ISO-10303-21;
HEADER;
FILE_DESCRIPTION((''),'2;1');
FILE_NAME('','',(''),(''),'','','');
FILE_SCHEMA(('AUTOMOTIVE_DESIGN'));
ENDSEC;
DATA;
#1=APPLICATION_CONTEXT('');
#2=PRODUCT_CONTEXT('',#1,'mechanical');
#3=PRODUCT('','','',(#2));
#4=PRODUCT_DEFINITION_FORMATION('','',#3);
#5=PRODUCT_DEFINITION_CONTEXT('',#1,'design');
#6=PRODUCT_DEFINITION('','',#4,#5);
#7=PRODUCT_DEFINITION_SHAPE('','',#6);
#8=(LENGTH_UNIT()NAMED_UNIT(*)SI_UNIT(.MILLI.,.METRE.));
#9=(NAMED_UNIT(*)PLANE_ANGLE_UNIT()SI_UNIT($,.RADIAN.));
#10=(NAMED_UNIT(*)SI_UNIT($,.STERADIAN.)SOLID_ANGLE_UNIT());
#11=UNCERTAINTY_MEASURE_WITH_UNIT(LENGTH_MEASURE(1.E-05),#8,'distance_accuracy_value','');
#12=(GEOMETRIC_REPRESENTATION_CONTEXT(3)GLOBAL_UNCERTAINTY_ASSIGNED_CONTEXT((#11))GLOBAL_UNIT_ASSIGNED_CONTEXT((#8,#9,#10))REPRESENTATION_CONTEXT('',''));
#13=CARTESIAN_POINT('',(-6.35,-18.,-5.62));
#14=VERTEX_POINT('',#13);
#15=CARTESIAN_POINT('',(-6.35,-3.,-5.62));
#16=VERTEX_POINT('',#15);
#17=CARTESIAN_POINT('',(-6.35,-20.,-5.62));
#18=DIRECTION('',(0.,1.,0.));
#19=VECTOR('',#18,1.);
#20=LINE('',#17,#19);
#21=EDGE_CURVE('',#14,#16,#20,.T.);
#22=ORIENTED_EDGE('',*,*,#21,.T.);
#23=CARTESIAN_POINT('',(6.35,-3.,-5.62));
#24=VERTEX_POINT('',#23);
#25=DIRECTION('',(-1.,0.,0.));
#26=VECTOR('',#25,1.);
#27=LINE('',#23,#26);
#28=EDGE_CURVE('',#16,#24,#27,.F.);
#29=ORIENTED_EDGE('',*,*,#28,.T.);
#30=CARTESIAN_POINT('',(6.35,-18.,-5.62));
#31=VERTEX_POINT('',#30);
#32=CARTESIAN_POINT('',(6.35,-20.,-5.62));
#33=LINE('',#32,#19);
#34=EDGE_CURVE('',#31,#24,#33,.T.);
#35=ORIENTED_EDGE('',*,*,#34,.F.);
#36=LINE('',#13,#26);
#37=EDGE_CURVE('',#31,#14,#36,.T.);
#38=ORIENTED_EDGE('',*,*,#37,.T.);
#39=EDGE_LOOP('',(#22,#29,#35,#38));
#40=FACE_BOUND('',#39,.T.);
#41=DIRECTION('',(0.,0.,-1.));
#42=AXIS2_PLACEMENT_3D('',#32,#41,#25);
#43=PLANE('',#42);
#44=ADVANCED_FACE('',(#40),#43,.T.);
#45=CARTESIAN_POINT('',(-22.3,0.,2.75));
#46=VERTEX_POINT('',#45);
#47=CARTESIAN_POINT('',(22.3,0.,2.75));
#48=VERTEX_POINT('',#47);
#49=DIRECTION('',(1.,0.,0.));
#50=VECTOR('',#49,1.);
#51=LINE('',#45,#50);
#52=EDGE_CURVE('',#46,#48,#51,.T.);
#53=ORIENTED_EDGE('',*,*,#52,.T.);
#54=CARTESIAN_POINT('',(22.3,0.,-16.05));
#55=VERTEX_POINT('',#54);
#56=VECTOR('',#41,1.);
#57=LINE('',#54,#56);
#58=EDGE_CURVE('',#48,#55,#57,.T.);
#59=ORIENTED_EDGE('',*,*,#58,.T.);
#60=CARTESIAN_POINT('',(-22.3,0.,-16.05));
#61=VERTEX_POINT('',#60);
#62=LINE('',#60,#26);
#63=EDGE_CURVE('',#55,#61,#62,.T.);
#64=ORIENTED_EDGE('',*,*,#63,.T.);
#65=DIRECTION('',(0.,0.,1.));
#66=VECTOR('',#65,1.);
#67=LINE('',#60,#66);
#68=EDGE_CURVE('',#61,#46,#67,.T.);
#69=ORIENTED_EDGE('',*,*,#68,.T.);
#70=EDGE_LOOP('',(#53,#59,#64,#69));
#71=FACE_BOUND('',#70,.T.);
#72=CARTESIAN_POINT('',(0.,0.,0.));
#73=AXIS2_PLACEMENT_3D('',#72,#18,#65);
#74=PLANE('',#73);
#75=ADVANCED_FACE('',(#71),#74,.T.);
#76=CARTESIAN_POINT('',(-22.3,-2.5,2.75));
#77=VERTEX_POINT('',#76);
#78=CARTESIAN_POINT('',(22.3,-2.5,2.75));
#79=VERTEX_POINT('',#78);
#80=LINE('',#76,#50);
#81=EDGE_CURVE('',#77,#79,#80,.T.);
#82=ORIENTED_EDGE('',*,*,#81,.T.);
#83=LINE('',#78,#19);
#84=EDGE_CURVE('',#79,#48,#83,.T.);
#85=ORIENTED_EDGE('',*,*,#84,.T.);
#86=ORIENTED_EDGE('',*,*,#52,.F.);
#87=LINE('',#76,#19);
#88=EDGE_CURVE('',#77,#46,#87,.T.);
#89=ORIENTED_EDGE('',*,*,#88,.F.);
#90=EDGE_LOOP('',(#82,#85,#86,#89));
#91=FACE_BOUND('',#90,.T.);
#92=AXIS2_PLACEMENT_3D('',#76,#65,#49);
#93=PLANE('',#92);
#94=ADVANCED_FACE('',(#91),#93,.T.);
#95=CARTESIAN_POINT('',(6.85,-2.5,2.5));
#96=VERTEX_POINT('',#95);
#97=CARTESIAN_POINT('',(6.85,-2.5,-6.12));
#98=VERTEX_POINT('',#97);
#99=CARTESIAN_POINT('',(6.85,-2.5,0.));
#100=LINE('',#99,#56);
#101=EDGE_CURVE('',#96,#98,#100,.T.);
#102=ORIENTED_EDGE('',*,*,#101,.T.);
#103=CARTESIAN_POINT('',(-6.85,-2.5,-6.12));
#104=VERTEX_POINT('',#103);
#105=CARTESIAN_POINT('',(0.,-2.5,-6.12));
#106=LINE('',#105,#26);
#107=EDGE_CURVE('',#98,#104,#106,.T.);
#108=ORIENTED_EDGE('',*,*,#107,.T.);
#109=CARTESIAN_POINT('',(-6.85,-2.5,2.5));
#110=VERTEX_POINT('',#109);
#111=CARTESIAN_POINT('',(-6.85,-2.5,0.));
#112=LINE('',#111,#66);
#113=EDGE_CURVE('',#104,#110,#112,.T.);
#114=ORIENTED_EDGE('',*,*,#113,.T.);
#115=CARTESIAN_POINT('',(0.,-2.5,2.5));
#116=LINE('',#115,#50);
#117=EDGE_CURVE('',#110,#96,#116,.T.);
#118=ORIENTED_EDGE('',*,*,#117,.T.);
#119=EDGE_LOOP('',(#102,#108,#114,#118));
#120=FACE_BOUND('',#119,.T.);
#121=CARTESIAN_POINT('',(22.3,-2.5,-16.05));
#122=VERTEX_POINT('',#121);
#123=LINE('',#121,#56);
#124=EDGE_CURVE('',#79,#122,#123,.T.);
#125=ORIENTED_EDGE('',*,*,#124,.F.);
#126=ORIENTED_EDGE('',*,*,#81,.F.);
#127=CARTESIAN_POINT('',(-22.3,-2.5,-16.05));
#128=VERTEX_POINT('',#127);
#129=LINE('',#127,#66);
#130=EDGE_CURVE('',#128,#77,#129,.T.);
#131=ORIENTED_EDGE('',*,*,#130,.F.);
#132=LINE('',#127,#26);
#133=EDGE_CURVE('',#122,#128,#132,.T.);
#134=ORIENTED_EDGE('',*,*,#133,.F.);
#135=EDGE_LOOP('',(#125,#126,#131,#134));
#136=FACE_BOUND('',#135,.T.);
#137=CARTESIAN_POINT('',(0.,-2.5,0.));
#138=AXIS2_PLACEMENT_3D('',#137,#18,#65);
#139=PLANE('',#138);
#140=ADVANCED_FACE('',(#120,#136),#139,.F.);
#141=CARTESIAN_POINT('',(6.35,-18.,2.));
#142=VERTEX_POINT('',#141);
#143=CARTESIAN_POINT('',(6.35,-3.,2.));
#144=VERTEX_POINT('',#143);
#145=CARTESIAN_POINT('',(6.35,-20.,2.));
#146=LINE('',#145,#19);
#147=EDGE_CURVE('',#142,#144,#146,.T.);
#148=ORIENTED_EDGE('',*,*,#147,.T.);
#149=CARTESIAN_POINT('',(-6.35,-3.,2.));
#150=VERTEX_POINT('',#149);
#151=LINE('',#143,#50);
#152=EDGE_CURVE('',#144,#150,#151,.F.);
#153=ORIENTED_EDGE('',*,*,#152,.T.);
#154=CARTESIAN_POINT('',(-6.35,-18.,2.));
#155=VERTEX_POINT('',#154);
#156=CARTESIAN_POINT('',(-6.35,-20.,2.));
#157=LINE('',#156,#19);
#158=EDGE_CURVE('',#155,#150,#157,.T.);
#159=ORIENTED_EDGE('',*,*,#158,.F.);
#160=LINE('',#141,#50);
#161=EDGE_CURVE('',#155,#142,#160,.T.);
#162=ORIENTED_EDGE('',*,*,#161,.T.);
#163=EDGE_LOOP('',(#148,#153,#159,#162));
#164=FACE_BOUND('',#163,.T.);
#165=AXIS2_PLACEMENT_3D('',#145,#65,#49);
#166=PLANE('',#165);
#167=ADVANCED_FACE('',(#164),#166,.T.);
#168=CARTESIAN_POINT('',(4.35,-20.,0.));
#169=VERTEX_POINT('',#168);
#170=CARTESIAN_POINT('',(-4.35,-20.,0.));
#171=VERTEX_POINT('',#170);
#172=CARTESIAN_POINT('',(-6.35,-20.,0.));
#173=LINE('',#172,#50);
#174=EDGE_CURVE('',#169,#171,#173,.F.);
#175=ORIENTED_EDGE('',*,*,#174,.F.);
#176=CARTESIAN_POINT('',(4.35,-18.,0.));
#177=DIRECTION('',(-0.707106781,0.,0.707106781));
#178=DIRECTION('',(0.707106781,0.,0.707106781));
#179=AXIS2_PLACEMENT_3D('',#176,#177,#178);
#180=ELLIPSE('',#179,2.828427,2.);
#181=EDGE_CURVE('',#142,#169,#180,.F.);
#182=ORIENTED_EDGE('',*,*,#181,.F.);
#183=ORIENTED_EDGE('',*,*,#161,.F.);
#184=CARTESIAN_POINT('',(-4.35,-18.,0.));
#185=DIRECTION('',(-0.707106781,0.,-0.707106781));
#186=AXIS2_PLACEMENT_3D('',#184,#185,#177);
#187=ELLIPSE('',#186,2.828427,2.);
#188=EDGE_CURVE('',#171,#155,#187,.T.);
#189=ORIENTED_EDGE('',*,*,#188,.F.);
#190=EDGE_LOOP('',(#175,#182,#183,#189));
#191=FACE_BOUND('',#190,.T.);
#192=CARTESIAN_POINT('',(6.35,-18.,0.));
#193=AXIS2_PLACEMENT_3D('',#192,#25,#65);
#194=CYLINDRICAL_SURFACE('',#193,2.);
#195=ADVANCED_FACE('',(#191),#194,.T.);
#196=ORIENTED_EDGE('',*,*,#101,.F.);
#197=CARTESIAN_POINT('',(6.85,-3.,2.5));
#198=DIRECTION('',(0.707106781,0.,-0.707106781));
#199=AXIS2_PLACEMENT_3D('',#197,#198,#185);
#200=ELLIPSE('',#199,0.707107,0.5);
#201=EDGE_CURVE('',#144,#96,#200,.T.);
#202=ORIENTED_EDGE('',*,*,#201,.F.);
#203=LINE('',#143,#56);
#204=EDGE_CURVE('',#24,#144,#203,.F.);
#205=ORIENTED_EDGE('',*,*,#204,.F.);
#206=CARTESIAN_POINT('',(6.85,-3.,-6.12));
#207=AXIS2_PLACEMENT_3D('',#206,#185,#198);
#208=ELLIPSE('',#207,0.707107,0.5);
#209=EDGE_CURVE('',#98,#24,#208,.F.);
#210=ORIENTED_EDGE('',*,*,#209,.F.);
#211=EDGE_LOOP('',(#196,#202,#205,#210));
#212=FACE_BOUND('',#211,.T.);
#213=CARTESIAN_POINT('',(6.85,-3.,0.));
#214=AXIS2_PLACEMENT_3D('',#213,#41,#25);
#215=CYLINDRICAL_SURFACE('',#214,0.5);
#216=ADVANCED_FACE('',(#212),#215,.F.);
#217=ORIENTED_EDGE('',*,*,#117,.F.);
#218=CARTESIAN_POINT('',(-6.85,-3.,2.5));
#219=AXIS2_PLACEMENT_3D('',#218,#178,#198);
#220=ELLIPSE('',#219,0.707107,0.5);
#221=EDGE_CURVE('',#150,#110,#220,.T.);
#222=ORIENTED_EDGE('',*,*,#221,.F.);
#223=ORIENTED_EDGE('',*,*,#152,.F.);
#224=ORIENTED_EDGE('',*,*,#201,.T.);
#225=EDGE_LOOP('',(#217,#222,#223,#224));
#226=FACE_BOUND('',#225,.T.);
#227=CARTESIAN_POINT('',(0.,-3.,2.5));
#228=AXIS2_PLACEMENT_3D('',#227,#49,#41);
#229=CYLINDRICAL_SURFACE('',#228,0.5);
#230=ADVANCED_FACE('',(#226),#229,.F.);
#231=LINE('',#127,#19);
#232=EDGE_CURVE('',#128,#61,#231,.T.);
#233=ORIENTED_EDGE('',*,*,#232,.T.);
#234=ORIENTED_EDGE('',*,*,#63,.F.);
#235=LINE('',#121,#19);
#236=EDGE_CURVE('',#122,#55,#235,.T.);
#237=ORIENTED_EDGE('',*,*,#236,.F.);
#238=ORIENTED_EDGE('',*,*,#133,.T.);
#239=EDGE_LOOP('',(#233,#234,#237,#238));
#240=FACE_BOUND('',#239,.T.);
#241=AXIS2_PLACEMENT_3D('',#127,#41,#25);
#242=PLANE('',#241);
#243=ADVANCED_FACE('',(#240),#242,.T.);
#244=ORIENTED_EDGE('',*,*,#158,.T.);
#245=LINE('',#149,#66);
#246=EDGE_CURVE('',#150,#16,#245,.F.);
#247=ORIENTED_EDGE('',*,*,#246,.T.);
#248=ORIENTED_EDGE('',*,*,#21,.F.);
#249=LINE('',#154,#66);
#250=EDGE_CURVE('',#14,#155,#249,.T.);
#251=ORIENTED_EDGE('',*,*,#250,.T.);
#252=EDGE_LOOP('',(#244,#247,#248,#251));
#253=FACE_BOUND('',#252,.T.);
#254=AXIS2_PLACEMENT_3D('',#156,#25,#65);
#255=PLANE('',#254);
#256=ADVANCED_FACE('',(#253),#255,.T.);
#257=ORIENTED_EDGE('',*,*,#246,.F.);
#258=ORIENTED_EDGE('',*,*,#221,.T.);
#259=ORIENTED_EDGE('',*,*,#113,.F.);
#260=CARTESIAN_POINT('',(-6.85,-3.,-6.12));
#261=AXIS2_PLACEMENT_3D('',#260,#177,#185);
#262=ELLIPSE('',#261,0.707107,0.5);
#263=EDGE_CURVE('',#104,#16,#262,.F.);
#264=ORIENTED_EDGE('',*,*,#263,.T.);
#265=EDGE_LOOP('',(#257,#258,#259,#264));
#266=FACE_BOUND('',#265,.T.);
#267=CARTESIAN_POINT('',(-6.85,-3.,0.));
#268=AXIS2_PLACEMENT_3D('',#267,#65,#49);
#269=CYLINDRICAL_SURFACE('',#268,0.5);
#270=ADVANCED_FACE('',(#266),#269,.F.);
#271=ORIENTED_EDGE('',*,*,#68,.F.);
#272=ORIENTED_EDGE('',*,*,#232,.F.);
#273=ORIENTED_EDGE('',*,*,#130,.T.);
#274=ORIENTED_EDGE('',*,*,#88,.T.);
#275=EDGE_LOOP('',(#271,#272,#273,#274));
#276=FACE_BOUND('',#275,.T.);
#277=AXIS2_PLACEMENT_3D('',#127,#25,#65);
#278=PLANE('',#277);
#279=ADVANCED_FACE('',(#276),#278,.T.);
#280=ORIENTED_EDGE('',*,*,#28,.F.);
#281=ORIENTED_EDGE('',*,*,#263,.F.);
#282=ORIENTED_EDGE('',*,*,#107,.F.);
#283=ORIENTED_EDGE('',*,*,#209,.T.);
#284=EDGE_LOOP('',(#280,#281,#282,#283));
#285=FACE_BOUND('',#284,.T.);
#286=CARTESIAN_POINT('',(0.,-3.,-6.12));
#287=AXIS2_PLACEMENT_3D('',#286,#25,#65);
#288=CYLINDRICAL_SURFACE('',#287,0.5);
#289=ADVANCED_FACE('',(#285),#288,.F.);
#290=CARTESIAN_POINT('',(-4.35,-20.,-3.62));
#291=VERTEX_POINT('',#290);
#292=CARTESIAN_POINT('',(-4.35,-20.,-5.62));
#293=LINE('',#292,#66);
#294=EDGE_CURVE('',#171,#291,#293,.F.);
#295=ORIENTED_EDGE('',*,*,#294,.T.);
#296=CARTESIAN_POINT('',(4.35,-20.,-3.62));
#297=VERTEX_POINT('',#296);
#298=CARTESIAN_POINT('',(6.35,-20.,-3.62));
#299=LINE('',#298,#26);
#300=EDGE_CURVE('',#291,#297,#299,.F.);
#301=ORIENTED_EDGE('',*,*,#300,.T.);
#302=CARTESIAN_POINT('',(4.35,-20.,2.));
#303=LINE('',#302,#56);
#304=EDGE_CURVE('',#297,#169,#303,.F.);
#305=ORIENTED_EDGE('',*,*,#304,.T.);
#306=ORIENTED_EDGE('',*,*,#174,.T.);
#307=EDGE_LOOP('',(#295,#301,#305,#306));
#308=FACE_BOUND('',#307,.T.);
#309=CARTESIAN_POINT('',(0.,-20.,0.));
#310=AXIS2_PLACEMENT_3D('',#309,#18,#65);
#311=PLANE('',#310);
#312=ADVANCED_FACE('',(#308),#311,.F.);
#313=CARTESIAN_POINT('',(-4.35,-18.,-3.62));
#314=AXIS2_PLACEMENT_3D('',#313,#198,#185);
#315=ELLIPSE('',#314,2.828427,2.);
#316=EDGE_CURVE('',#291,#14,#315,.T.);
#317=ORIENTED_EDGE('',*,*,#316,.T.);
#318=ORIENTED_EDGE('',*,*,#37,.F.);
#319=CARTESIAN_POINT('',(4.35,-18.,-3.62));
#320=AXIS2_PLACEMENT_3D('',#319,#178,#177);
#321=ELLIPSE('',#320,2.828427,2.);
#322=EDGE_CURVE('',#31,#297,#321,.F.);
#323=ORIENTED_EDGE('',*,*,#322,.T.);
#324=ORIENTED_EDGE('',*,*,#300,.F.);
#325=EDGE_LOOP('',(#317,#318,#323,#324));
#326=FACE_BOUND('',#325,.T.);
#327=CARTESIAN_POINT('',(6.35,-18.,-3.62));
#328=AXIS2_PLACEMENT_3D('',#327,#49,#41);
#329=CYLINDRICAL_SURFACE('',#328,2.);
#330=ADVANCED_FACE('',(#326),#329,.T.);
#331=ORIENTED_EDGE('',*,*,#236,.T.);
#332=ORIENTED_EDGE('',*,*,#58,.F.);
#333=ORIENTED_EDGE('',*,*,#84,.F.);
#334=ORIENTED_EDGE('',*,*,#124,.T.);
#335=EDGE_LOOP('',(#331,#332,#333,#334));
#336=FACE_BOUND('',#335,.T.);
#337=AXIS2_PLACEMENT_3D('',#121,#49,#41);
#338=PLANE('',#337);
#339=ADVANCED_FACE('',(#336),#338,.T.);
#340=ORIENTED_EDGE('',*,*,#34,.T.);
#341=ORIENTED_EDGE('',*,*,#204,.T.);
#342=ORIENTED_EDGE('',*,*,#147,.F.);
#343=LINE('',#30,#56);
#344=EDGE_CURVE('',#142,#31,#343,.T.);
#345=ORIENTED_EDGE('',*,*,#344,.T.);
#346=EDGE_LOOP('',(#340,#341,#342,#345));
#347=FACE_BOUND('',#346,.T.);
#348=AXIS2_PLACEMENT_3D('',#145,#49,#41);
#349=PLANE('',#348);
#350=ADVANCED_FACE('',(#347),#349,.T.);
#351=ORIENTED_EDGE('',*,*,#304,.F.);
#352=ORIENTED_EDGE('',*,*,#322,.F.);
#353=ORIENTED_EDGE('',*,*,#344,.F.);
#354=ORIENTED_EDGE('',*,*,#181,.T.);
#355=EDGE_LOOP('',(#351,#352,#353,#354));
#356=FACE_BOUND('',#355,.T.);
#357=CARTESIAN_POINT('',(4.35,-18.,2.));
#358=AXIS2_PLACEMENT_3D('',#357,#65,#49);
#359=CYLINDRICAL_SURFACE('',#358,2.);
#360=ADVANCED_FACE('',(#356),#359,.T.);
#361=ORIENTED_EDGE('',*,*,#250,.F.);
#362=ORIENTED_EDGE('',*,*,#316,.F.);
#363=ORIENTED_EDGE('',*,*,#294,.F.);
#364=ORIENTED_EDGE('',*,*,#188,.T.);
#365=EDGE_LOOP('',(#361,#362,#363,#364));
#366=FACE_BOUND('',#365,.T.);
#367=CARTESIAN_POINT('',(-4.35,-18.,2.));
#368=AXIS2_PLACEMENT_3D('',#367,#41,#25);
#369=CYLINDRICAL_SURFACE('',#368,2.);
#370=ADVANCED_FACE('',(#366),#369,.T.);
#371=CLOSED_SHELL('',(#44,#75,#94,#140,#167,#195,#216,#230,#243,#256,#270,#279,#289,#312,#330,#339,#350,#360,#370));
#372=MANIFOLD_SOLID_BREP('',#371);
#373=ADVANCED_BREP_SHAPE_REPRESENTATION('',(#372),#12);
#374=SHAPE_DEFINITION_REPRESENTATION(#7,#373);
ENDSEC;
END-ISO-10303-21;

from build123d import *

# Parameters (mm, degrees)
SKETCH1_W           = 44.6
SKETCH1_H           = 18.8
BOSS_EXTRUDE1_DEPTH = 2.5
SKETCH2_W           = 12.7
SKETCH2_H           = 7.62
BOSS_EXTRUDE2_DEPTH = 20
FILLET1_R           = 2
FILLET2_R           = 0.5


with BuildPart() as part:
    # Sketch1 → Boss-Extrude1 (new body)
    with BuildSketch(Plane(origin=(0, 0, 0), x_dir=(1, 0, 0), z_dir=(0, 1, 0))):
        with Locations((0, 6.65)):
            Rectangle(SKETCH1_W, SKETCH1_H)
    extrude(amount=-BOSS_EXTRUDE1_DEPTH)

    # Sketch2 → Boss-Extrude2 (add)
    with BuildSketch(Plane(origin=(0, 0, 0), x_dir=(1, 0, 0), z_dir=(0, 1, 0))):
        with Locations((0, 1.81)):
            Rectangle(SKETCH2_W, SKETCH2_H)
    extrude(amount=-BOSS_EXTRUDE2_DEPTH)

    # Fillet1
    fillet1_edges = [part.edges().sort_by_distance(p)[0] for p in [
        (6.35, -20, -1.81),
        (0, -20, 2),
        (-6.35, -20, -1.81),
        (0, -20, -5.62),
    ]]
    fillet(fillet1_edges, radius=FILLET1_R)

    # Fillet2
    fillet2_edges = [part.edges().sort_by_distance(p)[0] for p in [
        (6.35, -2.5, -1.81),
        (0, -2.5, 2),
        (-6.35, -2.5, -1.81),
        (0, -2.5, -5.62),
    ]]
    fillet(fillet2_edges, radius=FILLET2_R)


solid = part.part
